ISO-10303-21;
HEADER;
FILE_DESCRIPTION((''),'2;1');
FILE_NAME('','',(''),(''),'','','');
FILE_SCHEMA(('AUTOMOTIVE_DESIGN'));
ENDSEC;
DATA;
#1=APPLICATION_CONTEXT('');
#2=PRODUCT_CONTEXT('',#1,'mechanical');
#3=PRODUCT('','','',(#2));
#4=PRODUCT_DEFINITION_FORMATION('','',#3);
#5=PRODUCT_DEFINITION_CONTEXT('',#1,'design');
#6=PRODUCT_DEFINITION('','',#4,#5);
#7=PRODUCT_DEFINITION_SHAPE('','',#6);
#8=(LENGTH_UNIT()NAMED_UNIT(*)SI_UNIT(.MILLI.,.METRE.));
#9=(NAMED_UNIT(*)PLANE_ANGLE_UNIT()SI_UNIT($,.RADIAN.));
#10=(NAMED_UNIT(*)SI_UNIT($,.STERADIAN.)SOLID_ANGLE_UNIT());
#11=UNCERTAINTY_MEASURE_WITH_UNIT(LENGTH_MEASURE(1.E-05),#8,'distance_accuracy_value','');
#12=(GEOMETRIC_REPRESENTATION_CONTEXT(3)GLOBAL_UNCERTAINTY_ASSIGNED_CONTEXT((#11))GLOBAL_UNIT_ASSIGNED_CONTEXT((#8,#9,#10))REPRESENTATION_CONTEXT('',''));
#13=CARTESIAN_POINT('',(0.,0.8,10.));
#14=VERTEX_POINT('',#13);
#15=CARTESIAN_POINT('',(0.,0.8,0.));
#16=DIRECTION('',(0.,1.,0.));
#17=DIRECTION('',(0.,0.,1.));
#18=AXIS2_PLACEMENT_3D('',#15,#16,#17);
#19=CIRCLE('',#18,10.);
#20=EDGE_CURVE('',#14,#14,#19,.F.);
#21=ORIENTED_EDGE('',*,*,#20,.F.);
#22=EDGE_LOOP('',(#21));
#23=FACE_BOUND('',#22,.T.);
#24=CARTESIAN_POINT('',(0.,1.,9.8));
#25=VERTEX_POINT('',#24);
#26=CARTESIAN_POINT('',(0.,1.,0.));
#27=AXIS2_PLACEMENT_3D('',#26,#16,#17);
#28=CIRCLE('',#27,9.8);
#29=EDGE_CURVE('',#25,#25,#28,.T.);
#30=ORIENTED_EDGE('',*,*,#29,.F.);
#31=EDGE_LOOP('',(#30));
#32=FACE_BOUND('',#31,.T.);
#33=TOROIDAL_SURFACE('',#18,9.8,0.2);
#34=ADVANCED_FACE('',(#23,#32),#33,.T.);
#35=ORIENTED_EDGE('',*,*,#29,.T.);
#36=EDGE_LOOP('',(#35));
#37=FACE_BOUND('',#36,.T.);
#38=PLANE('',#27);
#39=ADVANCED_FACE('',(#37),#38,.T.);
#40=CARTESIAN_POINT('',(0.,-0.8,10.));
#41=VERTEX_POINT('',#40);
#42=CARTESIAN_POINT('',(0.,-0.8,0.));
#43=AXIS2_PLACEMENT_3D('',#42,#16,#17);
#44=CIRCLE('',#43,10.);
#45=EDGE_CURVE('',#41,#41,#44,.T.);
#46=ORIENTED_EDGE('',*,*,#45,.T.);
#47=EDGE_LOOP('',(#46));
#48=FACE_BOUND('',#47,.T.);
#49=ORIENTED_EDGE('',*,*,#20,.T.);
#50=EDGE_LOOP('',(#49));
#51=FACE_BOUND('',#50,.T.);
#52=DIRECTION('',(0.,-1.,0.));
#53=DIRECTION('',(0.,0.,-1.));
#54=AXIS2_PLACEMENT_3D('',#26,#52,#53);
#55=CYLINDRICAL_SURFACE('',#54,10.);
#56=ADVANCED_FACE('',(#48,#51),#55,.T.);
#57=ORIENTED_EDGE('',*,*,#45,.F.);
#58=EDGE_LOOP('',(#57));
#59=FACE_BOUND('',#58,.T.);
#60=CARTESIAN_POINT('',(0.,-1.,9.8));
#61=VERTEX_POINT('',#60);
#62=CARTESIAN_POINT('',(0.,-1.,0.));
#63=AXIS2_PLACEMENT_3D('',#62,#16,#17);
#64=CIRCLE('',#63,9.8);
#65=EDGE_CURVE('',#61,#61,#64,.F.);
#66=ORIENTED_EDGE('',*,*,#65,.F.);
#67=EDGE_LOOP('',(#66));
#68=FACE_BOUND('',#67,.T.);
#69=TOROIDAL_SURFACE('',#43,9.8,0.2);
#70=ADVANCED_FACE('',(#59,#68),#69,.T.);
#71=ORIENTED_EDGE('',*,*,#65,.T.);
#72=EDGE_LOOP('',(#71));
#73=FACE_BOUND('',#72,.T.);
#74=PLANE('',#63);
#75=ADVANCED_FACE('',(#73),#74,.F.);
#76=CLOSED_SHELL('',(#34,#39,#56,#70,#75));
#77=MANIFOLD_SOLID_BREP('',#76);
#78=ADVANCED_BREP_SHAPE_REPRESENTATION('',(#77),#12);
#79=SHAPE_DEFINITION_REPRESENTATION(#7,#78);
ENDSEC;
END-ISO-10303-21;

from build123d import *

# Parameters (mm, degrees)
BASES_R      = 10
BASE_DEPTH   = 1
BASEFILLET_R = 0.2


with BuildPart() as part:
    # BaseS → Base (new, symmetric)
    with BuildSketch(Plane(origin=(0, 0, 0), x_dir=(1, 0, 0), z_dir=(0, 1, 0))):
        Circle(BASES_R)
    extrude(amount=BASE_DEPTH, both=True)

    # BaseFillet
    basefillet_edges = [part.edges().sort_by_distance(p)[0] for p in [
        (-10, -1, 0),
        (-10, 1, 0),
    ]]
    fillet(basefillet_edges, radius=BASEFILLET_R)


solid = part.part
